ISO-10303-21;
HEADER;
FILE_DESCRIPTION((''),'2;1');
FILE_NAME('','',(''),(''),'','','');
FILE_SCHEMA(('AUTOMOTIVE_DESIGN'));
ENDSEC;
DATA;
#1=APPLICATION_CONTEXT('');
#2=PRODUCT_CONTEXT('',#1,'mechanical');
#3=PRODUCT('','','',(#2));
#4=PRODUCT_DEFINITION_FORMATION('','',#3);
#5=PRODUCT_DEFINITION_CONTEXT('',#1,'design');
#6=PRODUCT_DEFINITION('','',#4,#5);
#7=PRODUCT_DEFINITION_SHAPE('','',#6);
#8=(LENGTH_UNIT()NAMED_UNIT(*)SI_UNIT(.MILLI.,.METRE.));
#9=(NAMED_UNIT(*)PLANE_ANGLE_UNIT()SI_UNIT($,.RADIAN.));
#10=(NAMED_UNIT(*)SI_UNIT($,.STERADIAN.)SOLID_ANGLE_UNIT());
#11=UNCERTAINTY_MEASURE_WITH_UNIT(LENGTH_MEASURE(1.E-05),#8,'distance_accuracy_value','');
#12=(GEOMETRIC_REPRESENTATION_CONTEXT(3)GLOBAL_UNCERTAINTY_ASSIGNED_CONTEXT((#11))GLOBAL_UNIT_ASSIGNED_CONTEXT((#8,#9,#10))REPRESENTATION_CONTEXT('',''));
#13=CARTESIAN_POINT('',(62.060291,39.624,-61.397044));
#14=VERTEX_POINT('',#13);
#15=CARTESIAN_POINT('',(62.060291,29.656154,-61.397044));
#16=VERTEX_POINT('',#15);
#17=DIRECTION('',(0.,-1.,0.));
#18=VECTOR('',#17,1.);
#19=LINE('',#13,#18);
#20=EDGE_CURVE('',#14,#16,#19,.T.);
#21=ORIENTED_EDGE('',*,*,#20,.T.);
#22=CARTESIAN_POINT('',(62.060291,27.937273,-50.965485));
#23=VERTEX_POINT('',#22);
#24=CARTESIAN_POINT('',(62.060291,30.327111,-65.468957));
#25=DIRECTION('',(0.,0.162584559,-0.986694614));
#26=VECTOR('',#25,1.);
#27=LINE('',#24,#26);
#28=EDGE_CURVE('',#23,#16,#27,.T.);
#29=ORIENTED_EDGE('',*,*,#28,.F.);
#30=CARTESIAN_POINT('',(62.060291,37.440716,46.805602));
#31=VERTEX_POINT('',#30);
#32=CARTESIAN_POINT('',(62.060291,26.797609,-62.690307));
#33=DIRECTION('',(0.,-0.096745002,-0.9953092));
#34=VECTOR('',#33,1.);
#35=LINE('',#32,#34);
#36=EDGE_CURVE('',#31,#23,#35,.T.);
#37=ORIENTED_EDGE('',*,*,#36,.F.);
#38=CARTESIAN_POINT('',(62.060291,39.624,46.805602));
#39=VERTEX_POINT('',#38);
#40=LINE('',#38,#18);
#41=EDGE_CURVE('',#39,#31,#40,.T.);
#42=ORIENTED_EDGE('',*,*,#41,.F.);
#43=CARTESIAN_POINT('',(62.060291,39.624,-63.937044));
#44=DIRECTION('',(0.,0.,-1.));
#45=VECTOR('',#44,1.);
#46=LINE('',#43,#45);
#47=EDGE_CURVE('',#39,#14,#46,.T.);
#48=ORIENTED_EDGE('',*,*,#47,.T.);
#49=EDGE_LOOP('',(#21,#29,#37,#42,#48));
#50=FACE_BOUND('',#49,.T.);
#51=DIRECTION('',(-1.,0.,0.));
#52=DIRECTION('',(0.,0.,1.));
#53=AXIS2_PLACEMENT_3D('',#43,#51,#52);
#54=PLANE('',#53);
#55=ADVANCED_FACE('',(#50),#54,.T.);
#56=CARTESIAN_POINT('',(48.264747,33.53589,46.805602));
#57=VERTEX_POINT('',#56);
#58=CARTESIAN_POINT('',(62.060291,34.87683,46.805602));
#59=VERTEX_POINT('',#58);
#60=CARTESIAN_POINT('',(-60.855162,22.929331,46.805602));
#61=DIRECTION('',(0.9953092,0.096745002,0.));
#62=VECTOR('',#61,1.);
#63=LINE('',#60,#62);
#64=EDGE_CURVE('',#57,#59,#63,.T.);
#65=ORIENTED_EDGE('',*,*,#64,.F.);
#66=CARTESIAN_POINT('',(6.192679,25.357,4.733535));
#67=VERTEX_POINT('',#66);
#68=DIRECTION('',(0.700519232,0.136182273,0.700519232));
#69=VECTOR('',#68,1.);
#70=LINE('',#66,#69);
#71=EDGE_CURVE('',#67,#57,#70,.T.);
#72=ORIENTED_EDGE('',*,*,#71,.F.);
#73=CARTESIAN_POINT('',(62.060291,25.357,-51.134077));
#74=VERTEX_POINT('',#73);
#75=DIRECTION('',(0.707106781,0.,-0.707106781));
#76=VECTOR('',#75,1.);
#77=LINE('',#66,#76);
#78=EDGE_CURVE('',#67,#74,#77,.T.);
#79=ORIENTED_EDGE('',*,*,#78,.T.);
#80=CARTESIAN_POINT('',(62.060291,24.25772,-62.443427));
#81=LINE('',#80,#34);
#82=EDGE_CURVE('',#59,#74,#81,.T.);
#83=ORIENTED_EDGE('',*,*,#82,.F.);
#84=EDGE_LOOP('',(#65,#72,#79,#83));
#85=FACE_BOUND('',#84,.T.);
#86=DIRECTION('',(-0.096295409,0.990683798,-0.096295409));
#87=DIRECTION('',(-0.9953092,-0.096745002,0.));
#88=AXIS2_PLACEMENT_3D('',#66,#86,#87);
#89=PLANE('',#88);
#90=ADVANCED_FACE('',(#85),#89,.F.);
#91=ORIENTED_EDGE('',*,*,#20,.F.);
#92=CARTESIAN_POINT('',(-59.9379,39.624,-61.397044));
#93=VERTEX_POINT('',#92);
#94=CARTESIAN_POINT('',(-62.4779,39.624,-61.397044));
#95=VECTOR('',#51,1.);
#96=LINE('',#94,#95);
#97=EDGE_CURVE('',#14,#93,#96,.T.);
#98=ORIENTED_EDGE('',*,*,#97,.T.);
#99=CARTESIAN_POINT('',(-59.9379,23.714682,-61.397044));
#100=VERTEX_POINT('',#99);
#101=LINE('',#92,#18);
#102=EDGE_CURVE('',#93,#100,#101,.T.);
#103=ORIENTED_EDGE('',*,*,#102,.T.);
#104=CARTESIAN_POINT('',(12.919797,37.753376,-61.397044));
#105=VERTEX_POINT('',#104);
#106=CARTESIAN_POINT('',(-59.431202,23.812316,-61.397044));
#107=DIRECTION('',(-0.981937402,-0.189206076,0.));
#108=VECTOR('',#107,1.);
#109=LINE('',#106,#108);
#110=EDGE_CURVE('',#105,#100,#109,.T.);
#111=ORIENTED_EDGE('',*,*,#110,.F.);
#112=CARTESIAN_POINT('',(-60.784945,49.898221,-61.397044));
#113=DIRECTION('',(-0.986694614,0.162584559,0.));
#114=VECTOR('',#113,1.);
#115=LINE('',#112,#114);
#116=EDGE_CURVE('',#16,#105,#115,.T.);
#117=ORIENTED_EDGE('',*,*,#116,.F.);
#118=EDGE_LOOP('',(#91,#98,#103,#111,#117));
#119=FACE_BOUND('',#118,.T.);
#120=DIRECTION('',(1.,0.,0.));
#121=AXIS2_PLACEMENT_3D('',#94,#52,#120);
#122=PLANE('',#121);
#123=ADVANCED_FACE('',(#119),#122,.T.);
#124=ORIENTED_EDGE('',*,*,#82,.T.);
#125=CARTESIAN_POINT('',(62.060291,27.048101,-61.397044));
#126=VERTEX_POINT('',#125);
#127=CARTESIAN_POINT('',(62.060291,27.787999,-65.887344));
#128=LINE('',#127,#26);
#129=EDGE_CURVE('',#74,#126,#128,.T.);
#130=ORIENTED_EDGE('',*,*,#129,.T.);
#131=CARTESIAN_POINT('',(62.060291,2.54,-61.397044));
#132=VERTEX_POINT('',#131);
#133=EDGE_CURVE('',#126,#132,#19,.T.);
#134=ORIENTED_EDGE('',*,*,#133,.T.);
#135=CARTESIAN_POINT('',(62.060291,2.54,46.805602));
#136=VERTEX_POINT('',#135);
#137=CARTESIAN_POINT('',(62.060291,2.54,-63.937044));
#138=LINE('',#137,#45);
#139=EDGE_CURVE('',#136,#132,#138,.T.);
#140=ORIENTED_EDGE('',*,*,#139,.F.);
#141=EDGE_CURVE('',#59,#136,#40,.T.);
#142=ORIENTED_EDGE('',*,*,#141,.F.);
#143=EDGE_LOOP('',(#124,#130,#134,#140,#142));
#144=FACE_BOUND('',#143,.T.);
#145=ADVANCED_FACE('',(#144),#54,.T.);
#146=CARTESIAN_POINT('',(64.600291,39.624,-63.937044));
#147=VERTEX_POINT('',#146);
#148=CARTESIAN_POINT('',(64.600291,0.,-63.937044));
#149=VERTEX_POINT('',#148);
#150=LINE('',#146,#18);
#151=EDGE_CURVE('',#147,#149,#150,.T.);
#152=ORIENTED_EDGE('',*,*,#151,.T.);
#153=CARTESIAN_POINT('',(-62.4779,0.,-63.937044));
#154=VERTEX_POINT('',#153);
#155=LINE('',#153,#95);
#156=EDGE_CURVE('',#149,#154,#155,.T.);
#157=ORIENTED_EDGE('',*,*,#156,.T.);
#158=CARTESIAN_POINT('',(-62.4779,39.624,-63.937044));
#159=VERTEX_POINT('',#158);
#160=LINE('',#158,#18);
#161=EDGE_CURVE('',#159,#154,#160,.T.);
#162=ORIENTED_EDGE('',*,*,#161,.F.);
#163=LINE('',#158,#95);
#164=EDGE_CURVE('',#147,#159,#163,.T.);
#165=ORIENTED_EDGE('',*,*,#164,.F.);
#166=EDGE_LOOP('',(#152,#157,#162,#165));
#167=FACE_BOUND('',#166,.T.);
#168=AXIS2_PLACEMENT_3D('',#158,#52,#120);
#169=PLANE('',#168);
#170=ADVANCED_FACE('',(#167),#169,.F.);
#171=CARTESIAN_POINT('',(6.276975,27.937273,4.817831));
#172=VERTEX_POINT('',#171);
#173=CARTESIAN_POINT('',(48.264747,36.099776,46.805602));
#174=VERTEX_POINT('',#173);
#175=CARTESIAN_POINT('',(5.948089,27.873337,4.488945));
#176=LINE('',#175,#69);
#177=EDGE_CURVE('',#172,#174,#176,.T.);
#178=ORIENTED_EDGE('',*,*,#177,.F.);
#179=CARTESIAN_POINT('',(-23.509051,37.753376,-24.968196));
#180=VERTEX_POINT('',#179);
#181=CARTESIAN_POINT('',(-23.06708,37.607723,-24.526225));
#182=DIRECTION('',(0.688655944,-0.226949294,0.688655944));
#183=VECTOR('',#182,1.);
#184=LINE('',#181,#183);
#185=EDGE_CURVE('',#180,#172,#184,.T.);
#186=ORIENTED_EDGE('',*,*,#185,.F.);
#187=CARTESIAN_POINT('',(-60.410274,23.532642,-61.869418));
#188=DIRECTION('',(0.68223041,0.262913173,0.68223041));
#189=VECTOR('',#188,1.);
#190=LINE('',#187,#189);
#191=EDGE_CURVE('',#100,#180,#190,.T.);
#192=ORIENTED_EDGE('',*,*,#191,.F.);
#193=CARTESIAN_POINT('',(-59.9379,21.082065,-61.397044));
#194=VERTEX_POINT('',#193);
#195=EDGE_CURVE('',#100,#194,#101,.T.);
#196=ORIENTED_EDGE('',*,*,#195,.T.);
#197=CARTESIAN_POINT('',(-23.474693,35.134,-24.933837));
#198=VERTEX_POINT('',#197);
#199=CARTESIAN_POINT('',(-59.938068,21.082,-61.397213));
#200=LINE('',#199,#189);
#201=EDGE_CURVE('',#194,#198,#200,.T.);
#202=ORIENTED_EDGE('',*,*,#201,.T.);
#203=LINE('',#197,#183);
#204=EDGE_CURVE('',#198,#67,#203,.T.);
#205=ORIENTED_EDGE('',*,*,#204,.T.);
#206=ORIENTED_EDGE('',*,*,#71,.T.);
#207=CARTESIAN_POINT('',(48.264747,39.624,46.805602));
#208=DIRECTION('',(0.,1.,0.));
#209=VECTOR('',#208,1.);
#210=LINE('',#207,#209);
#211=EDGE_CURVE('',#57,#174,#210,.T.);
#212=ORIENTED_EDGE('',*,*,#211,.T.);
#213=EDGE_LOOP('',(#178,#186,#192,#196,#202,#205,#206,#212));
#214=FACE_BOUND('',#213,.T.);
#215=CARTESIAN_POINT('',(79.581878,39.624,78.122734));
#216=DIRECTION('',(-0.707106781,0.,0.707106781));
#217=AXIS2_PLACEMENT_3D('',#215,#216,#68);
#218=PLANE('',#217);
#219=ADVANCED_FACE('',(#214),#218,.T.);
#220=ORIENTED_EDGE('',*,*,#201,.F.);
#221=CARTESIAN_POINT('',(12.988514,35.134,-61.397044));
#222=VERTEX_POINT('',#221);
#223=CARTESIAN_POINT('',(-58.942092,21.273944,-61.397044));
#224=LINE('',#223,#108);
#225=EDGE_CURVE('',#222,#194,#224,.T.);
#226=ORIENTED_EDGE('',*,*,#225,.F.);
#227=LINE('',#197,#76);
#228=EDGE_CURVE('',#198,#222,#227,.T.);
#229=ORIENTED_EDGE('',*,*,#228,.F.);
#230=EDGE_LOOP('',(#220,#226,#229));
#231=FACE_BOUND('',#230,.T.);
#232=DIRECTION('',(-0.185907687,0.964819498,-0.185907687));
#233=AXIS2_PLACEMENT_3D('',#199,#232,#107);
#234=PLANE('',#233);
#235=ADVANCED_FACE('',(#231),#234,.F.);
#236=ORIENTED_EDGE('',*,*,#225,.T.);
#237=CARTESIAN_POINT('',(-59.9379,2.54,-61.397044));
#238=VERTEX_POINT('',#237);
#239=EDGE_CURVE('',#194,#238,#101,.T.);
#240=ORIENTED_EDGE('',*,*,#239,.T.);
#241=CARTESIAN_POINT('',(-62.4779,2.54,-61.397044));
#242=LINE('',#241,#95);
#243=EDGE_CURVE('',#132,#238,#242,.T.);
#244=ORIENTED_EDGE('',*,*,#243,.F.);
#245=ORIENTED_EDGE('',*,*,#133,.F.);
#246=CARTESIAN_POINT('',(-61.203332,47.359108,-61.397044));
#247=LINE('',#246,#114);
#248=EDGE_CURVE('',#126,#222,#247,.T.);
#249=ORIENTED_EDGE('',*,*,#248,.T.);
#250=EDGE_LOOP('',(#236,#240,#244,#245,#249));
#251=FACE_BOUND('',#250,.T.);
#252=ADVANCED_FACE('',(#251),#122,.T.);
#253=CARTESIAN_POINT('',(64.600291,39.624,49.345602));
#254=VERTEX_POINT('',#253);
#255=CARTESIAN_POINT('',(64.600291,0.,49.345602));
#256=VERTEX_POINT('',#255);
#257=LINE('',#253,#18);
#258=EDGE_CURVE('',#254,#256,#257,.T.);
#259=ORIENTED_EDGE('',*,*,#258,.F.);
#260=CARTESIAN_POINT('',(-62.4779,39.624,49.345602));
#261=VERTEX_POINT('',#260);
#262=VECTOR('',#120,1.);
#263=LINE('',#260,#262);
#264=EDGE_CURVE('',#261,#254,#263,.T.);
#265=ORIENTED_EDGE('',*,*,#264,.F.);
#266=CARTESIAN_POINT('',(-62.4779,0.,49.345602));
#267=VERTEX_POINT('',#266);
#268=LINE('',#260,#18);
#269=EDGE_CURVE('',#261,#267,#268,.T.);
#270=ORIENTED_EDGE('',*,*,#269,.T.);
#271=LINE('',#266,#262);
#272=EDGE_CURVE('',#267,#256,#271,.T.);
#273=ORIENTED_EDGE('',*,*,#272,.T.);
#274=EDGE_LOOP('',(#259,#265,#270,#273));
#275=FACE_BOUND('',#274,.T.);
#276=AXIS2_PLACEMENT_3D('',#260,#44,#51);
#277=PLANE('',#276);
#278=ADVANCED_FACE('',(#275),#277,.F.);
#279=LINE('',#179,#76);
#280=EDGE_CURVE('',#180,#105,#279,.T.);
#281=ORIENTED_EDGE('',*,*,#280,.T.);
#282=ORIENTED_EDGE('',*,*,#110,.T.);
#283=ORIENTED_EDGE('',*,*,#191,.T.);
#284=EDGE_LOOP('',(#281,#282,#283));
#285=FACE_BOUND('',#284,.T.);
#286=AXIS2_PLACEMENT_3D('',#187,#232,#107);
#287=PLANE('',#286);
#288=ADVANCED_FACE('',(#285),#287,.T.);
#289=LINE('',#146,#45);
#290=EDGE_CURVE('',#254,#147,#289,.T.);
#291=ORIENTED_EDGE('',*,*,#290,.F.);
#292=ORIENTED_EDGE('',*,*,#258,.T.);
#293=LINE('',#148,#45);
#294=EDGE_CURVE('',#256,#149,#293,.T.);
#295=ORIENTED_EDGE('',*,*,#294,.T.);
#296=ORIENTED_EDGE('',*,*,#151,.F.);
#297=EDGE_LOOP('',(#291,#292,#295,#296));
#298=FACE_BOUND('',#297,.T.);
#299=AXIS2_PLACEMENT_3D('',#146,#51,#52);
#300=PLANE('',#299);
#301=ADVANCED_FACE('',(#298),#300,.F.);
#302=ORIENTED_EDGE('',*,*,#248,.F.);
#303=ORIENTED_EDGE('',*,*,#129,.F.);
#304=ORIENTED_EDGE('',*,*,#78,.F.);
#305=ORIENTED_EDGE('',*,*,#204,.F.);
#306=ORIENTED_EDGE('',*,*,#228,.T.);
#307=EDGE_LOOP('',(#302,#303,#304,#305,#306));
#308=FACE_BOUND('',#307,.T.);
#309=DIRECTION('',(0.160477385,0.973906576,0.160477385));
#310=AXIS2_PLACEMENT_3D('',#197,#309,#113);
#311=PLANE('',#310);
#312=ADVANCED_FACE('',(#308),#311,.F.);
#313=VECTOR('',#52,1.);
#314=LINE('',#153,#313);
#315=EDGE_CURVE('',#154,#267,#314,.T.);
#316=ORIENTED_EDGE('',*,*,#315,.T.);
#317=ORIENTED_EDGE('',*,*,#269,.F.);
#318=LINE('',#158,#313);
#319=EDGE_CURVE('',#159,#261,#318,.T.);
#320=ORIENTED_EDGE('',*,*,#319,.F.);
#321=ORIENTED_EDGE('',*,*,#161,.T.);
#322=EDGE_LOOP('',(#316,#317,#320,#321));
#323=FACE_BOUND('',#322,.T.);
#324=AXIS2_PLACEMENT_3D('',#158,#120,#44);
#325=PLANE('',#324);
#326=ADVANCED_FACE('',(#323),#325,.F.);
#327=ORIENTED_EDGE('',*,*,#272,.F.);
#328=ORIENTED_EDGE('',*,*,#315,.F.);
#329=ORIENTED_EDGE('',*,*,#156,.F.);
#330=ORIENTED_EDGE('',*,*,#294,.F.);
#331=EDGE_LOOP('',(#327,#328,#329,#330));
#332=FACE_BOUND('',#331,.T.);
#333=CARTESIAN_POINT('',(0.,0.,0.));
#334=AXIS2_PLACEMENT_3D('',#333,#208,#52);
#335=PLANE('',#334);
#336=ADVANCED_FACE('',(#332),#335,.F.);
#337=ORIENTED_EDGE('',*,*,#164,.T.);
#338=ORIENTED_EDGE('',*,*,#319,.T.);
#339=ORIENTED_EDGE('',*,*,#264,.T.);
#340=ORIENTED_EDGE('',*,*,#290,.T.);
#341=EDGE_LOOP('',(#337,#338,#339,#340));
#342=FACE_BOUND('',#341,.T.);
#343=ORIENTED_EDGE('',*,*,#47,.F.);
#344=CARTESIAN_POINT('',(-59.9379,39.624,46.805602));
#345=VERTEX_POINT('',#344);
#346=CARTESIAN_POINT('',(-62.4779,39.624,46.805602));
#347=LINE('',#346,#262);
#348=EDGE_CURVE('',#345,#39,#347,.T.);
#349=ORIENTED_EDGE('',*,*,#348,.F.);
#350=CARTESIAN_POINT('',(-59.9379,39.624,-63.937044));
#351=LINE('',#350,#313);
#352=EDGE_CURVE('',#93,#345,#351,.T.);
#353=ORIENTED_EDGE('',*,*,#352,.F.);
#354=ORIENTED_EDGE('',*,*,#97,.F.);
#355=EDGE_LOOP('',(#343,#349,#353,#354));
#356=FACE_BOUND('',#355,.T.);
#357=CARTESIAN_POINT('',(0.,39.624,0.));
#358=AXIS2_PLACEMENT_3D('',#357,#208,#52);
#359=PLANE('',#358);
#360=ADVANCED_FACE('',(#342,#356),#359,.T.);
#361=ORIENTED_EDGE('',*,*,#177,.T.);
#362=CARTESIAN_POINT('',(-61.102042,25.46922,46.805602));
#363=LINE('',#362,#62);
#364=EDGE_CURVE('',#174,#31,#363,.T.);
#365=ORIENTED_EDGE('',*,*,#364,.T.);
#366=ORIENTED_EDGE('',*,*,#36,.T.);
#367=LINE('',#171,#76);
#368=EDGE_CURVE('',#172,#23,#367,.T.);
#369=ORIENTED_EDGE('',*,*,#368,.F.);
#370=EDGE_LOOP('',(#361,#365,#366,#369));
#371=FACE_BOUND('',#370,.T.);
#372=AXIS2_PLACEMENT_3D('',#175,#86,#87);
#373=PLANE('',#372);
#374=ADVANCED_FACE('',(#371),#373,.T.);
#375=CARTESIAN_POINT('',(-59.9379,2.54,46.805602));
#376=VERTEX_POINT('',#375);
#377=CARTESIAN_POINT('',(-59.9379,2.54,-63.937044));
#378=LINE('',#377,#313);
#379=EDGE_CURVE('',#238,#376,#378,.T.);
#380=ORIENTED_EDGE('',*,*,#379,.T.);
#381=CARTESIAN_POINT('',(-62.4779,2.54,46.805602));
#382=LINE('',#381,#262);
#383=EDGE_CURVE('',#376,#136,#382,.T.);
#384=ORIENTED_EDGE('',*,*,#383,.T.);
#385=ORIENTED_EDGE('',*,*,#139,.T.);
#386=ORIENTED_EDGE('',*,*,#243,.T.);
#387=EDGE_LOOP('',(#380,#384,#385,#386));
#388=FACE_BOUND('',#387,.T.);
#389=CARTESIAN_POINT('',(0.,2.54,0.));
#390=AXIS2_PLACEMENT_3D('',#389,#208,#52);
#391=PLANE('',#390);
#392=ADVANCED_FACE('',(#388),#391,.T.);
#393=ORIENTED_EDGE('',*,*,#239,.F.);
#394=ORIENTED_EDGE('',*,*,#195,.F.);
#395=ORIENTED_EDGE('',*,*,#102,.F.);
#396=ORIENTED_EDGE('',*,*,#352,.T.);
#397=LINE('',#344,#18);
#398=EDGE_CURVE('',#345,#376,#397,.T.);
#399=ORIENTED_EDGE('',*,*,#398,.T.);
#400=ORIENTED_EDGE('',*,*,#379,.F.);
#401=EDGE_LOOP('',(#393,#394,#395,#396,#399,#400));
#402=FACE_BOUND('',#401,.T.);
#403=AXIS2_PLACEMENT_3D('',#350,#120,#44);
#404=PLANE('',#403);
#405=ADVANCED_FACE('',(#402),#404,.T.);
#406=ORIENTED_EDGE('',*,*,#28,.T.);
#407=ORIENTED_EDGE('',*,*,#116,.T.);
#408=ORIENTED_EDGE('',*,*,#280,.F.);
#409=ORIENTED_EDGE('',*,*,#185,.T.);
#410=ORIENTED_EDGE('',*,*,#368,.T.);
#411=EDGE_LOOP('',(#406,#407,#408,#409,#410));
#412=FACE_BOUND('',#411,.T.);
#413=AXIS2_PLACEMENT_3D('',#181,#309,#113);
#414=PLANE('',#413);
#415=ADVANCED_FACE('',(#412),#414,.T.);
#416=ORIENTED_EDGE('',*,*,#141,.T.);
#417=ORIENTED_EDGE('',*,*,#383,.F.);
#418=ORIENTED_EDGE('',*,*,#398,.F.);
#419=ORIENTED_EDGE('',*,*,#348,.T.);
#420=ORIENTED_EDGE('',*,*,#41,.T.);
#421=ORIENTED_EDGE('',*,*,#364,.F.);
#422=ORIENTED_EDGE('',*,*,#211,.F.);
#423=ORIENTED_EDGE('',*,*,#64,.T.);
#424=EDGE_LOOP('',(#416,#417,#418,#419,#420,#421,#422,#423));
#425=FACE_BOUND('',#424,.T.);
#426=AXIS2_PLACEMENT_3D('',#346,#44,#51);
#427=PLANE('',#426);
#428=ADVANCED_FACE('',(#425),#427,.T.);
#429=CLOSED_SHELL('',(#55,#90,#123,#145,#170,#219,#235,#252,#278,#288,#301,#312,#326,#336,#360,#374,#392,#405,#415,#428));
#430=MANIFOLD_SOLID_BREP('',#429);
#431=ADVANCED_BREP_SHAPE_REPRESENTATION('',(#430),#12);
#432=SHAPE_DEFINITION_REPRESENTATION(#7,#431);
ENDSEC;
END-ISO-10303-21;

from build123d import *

# Parameters (mm, degrees)
SKETCH1_W                  = 127.078191072
SKETCH1_H                  = 113.282646321
BOSS_EXTRUDE1_DEPTH        = 39.624
SHELL_1_T                  = -2.54
OFFICIAL_RIB_BLOCK20_REACH = 100.208


with BuildPart() as part:
    # Sketch1 → Boss-Extrude1 (new body)
    with BuildSketch(Plane(origin=(0, 0, 0), x_dir=(1, 0, 0), z_dir=(0, 1, 0))):
        with Locations((1.06119575, 7.295720781)):
            Rectangle(SKETCH1_W, SKETCH1_H)
    extrude(amount=BOSS_EXTRUDE1_DEPTH)

    # 抽壳1
    shell_1_openings = [part.faces().sort_by_distance(p)[0] for p in [
        (1.06119575, 39.624, -7.295720782),
    ]]
    offset(amount=SHELL_1_T, openings=shell_1_openings, kind=Kind.INTERSECTION)

    # 草图1 walls → official_rib_block20 (add, up to next)
    with BuildSketch(Plane(origin=(0.729572078, 0, -0.729572078), x_dir=(0.7071067811865477, 0, 0.7071067811865475), z_dir=(-0.7071067811865475, 0, 0.7071067811865477)), mode=Mode.PRIVATE) as official_rib_block20_sk1:
        Polygon((-181.514338156, -5.000960726), (-34.23, 35.134), (7.726, 25.357), (209.797270961, 53.134303954), (209.451367988, 55.650640802), (7.84521248, 27.93727297), (-34.278590113, 37.753375981), (-182.182137615, -2.550319201), align=None)
    official_rib_block20_tool1 = extrude(official_rib_block20_sk1.sketch, amount=-OFFICIAL_RIB_BLOCK20_REACH, mode=Mode.PRIVATE) - part.part
    add(official_rib_block20_tool1.solids().sort_by_distance((-8.641006986, 30.2455, -10.100151142))[0])


solid = part.part
